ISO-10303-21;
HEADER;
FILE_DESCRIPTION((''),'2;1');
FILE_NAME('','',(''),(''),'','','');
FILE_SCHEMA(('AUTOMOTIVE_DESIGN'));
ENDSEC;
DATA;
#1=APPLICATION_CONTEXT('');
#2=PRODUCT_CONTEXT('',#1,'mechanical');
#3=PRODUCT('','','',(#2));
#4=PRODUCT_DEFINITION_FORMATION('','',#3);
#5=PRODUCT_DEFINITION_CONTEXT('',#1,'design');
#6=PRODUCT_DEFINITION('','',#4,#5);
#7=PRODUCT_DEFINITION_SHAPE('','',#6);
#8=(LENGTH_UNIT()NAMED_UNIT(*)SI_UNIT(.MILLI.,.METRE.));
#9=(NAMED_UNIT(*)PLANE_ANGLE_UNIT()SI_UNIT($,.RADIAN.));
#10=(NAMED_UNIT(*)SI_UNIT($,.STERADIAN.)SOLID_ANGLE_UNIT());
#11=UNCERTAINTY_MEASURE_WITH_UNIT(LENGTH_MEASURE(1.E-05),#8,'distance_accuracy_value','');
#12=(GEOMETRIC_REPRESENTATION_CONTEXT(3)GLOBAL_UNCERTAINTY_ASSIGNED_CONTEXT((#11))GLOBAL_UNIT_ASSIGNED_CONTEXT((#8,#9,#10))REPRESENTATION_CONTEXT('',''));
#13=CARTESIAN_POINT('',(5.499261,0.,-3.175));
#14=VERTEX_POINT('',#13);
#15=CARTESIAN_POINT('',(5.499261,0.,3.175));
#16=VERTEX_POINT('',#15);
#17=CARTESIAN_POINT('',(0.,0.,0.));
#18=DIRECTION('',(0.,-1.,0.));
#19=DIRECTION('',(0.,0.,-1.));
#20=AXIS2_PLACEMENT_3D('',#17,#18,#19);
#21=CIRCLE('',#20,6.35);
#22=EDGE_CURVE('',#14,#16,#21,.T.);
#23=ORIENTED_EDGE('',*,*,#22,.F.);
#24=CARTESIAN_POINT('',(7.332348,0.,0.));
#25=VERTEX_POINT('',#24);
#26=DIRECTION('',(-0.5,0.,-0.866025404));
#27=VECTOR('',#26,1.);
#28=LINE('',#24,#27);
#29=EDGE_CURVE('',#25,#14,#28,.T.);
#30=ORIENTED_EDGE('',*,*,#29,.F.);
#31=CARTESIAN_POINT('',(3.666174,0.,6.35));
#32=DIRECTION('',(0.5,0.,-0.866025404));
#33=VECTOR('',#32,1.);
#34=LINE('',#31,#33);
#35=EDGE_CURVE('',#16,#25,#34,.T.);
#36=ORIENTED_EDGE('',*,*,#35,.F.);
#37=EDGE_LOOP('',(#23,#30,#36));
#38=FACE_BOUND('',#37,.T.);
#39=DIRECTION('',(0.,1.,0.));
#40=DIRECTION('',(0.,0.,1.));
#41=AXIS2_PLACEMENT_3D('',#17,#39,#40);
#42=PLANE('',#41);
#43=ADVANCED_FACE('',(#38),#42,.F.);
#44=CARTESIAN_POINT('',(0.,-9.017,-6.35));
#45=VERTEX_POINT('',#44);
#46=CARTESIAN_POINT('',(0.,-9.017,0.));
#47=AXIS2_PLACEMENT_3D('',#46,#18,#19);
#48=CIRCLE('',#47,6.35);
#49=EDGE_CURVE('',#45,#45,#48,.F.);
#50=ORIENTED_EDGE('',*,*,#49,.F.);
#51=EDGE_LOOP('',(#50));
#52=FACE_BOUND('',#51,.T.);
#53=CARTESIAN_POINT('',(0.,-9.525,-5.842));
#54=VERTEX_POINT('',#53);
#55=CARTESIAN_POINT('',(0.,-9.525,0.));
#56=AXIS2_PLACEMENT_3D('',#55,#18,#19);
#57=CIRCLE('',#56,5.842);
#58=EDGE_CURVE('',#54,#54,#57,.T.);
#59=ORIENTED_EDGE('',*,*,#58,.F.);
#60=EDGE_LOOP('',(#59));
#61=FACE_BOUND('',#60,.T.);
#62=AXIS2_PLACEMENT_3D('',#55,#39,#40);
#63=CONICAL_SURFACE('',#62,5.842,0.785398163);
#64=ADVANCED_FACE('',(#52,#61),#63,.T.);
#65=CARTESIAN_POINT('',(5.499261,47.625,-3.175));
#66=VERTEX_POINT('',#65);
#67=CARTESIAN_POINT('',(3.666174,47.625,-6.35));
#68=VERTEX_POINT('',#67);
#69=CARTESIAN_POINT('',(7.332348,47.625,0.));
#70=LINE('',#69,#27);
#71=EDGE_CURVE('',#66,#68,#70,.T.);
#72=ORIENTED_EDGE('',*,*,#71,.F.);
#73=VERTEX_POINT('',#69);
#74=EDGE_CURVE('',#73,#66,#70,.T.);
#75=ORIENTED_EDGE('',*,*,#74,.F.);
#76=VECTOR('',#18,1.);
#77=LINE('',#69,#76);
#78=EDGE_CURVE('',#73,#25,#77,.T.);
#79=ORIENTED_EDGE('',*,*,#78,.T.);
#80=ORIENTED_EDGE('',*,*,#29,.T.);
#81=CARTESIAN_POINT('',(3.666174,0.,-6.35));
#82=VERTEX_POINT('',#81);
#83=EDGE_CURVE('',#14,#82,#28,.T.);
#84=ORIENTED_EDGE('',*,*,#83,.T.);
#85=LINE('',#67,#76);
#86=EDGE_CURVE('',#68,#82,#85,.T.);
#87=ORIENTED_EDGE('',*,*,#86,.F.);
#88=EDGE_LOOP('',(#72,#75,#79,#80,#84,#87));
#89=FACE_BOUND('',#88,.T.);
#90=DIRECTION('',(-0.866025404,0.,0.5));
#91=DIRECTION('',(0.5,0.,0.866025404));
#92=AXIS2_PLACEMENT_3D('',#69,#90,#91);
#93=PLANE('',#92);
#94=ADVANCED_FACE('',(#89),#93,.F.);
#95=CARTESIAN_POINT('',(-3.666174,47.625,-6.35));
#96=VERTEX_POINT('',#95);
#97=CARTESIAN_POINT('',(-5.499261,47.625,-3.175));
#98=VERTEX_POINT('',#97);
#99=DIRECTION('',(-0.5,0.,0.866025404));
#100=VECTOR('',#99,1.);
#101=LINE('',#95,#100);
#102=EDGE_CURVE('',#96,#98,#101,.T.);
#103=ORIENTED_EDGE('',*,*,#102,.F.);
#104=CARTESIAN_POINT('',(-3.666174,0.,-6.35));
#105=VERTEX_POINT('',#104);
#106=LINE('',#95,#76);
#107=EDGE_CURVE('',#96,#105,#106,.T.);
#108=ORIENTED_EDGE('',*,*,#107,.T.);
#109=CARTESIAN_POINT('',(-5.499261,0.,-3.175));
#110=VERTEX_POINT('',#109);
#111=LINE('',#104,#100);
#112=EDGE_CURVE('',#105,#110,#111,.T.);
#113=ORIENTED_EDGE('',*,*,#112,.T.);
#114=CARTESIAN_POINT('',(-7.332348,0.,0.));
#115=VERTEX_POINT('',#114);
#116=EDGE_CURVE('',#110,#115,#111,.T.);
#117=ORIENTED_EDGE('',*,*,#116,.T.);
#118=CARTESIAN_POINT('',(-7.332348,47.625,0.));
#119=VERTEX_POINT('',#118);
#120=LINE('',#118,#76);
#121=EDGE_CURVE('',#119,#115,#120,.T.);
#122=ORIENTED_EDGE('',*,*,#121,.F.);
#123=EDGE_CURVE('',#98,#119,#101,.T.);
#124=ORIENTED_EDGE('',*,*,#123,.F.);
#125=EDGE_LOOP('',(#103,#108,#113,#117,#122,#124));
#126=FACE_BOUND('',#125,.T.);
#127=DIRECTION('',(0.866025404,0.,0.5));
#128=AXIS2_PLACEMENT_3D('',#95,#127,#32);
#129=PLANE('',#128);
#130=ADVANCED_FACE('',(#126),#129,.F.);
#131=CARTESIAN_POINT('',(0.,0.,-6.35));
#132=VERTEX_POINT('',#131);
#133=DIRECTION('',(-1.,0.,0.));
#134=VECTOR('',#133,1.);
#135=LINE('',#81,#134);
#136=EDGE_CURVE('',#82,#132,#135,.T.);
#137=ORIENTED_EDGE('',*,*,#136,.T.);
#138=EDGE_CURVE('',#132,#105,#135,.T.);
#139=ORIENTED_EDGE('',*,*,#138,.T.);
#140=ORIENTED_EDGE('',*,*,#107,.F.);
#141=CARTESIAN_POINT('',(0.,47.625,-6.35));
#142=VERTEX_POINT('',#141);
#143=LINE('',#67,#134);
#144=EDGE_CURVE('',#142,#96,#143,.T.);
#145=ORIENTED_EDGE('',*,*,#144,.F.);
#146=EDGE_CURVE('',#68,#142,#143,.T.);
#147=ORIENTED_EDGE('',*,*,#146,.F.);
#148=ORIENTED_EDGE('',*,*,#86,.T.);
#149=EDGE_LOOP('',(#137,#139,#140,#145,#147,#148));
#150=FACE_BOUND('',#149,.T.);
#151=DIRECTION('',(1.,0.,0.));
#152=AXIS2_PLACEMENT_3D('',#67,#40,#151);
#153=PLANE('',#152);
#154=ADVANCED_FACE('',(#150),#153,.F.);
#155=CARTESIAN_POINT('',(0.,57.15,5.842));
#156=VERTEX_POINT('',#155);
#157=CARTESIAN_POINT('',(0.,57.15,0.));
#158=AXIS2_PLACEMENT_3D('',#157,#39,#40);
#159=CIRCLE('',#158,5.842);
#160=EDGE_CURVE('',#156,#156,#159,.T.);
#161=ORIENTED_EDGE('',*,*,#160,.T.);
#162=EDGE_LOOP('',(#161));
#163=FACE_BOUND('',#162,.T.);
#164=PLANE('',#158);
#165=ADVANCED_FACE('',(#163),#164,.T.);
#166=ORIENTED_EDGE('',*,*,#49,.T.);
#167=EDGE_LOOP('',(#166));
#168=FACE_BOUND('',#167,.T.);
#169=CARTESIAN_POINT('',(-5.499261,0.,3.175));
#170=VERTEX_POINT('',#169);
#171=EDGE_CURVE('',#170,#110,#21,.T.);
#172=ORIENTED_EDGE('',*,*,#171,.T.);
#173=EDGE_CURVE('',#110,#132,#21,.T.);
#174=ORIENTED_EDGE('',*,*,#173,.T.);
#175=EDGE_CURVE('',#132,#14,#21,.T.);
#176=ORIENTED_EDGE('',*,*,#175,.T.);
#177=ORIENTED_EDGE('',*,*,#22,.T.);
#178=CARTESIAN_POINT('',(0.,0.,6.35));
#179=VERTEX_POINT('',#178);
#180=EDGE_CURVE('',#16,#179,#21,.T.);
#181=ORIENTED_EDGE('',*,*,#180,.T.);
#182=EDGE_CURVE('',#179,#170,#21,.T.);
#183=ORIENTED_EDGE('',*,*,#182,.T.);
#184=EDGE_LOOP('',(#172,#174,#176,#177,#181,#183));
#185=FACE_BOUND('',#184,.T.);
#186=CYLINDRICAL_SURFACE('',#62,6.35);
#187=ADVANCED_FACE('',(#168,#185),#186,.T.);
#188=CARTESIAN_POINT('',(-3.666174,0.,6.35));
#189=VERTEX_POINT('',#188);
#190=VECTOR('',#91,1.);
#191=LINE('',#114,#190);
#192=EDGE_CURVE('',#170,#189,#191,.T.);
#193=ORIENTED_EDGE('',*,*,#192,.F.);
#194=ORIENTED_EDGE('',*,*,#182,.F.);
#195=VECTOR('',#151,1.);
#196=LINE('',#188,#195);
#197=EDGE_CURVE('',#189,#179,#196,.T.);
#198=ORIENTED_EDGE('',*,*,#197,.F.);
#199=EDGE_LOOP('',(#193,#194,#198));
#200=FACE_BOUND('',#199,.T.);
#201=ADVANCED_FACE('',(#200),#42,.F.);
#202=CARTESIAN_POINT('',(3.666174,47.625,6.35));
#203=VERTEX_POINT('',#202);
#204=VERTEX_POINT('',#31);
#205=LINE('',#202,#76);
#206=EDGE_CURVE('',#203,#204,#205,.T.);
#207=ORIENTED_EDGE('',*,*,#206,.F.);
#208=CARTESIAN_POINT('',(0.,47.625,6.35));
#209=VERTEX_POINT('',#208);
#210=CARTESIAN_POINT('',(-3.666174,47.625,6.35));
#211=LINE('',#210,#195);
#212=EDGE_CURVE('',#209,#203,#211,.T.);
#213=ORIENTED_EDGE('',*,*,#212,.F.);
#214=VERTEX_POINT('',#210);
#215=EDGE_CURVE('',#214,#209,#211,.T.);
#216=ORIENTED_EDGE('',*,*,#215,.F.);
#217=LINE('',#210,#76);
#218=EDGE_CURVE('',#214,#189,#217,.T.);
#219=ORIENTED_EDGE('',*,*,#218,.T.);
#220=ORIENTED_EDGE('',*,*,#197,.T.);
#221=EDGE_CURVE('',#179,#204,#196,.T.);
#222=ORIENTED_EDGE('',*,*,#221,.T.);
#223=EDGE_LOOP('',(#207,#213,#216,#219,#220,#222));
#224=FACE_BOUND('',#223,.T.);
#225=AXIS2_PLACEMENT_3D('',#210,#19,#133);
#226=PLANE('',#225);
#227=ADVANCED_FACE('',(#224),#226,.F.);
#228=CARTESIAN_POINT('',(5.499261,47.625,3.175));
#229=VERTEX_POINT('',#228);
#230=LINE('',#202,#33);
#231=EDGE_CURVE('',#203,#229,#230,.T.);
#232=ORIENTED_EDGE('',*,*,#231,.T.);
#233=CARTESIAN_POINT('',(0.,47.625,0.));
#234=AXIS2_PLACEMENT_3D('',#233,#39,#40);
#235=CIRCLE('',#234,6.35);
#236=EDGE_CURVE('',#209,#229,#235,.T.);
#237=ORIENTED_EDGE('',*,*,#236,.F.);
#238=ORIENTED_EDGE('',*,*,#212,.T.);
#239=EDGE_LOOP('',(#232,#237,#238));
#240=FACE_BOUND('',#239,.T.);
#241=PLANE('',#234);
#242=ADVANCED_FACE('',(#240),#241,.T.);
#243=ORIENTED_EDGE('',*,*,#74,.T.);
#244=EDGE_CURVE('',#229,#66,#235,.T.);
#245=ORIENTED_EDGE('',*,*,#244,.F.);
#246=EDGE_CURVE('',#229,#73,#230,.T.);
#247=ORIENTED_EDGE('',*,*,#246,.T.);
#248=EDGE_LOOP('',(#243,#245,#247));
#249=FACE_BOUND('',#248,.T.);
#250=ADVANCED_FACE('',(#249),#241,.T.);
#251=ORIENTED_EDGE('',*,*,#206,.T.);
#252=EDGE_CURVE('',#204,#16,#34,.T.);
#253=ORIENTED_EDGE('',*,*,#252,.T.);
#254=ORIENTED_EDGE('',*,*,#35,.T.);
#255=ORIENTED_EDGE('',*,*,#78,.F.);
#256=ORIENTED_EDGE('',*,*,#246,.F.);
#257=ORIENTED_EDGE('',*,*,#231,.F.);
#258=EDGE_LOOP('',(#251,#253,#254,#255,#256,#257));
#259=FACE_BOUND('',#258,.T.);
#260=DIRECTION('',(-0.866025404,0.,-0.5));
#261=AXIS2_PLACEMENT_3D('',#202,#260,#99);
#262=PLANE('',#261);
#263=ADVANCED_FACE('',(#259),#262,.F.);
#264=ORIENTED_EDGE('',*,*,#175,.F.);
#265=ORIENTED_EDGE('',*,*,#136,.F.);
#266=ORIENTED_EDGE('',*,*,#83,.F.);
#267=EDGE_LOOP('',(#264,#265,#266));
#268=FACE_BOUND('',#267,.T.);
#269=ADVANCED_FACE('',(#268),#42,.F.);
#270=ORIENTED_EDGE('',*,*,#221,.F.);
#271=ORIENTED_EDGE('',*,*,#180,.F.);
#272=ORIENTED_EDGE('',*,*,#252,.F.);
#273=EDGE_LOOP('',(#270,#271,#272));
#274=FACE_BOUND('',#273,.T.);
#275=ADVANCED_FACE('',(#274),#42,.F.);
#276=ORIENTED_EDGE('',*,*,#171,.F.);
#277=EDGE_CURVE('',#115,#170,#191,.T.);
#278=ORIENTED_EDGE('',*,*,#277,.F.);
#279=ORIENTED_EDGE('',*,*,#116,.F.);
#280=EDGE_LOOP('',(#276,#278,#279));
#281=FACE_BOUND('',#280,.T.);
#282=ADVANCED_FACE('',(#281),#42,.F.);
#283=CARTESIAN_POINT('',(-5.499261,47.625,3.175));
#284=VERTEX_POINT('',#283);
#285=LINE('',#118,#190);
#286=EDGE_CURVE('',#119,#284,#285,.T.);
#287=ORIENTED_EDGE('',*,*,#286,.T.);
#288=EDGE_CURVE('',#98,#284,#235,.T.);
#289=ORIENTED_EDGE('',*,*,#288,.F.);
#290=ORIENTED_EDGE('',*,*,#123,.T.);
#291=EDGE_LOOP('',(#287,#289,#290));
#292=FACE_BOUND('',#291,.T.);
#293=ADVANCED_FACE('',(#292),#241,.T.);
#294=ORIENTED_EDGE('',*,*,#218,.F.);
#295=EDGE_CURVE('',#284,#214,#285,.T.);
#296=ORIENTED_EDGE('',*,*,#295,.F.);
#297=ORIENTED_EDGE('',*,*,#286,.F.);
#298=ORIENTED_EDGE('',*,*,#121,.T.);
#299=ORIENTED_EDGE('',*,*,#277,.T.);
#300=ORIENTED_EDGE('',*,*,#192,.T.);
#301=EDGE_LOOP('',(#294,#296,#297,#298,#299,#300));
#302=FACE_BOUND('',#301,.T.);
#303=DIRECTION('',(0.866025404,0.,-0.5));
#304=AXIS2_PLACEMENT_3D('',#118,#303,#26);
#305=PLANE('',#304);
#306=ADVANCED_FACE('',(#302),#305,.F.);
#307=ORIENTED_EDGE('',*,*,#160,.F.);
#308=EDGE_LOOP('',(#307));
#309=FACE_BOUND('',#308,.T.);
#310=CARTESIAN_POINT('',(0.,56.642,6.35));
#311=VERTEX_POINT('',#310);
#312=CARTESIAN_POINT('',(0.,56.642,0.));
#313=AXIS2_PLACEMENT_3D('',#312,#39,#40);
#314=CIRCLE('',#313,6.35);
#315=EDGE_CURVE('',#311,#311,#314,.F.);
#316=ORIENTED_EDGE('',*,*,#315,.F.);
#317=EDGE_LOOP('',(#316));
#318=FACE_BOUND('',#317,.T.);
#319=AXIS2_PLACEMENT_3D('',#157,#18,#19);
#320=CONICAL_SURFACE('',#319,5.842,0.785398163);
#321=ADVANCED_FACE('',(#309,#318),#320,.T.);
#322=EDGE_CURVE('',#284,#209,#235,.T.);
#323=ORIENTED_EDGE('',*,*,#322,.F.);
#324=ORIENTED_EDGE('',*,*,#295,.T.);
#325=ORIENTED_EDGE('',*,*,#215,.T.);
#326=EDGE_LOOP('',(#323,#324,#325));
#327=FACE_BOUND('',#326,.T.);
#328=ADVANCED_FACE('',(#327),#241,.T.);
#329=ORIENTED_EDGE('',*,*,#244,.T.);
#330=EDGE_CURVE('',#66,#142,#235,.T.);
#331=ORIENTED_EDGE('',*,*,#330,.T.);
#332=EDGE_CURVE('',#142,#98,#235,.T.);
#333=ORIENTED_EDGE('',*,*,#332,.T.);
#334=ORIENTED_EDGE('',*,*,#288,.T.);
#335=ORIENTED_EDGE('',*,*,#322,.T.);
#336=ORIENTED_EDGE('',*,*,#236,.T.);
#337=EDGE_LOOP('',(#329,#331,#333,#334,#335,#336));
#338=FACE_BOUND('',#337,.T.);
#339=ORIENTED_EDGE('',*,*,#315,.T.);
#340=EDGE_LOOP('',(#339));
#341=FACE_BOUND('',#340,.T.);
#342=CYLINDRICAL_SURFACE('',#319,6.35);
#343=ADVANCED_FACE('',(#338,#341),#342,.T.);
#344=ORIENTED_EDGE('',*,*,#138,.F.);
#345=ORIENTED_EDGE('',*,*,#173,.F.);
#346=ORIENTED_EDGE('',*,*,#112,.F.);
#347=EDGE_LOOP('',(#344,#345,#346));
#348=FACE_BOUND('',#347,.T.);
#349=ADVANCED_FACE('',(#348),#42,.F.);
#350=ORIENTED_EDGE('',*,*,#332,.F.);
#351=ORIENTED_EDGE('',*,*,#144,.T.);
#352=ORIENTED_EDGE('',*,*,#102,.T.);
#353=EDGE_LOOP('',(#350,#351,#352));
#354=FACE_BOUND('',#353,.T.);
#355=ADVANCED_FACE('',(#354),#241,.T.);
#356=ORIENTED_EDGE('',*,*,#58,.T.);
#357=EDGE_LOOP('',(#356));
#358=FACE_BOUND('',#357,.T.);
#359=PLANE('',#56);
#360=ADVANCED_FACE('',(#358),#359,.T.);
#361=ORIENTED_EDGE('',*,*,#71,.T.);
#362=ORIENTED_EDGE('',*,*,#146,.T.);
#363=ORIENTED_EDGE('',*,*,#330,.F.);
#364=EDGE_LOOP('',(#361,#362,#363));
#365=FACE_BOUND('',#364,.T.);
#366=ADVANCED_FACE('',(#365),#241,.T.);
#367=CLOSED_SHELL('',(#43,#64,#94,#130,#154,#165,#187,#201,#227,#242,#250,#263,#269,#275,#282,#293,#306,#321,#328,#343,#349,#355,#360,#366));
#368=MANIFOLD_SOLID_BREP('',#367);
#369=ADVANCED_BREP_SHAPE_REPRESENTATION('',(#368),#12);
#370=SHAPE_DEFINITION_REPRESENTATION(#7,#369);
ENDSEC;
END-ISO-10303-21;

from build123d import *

# Parameters (mm, degrees)
BOSS_EXTRUDE1_DEPTH = 47.625
SKETCH2_R           = 6.35
BOSS_EXTRUDE2_DEPTH = 9.525
BOSS_EXTRUDE3_START = 9.525
SKETCH3_R           = 6.35
BOSS_EXTRUDE3_DEPTH = 9.525
CHAMFER2_SIZE       = 0.508


with BuildPart() as part:
    # Sketch1 → Boss-Extrude1 (new body)
    with BuildSketch(Plane(origin=(0, 0, 0), x_dir=(1, 0, 0), z_dir=(0, 1, 0))):
        Polygon((3.666174209, -6.35), (7.332348419, 0), (3.666174209, 6.35), (-3.666174209, 6.35), (-7.332348419, 0), (-3.666174209, -6.35), align=None)
    extrude(amount=BOSS_EXTRUDE1_DEPTH)

    # Sketch2 → Boss-Extrude2 (add)
    with BuildSketch(Plane(origin=(0, 0, 0), x_dir=(-1, 0, 0), z_dir=(0, -1, 0))):
        with Locations(Location((0, 0, 0), (0, 0, 90))):
            Circle(SKETCH2_R)
    extrude(amount=BOSS_EXTRUDE2_DEPTH)

    # Sketch3 → Boss-Extrude3 (add)
    with BuildSketch(Plane(origin=(0, 47.625, 0), x_dir=(1, 0, 0), z_dir=(0, 1, 0)).offset(BOSS_EXTRUDE3_START)):
        with Locations(Location((0, 0, 0), (0, 0, 90))):
            Circle(SKETCH3_R)
    extrude(amount=-BOSS_EXTRUDE3_DEPTH)

    # Chamfer2
    chamfer2_edges = [part.edges().sort_by_distance(p)[0] for p in [
        (0, -9.525, 6.35),
        (0, 57.15, 6.35),
    ]]
    chamfer(chamfer2_edges, length=CHAMFER2_SIZE)


solid = part.part
